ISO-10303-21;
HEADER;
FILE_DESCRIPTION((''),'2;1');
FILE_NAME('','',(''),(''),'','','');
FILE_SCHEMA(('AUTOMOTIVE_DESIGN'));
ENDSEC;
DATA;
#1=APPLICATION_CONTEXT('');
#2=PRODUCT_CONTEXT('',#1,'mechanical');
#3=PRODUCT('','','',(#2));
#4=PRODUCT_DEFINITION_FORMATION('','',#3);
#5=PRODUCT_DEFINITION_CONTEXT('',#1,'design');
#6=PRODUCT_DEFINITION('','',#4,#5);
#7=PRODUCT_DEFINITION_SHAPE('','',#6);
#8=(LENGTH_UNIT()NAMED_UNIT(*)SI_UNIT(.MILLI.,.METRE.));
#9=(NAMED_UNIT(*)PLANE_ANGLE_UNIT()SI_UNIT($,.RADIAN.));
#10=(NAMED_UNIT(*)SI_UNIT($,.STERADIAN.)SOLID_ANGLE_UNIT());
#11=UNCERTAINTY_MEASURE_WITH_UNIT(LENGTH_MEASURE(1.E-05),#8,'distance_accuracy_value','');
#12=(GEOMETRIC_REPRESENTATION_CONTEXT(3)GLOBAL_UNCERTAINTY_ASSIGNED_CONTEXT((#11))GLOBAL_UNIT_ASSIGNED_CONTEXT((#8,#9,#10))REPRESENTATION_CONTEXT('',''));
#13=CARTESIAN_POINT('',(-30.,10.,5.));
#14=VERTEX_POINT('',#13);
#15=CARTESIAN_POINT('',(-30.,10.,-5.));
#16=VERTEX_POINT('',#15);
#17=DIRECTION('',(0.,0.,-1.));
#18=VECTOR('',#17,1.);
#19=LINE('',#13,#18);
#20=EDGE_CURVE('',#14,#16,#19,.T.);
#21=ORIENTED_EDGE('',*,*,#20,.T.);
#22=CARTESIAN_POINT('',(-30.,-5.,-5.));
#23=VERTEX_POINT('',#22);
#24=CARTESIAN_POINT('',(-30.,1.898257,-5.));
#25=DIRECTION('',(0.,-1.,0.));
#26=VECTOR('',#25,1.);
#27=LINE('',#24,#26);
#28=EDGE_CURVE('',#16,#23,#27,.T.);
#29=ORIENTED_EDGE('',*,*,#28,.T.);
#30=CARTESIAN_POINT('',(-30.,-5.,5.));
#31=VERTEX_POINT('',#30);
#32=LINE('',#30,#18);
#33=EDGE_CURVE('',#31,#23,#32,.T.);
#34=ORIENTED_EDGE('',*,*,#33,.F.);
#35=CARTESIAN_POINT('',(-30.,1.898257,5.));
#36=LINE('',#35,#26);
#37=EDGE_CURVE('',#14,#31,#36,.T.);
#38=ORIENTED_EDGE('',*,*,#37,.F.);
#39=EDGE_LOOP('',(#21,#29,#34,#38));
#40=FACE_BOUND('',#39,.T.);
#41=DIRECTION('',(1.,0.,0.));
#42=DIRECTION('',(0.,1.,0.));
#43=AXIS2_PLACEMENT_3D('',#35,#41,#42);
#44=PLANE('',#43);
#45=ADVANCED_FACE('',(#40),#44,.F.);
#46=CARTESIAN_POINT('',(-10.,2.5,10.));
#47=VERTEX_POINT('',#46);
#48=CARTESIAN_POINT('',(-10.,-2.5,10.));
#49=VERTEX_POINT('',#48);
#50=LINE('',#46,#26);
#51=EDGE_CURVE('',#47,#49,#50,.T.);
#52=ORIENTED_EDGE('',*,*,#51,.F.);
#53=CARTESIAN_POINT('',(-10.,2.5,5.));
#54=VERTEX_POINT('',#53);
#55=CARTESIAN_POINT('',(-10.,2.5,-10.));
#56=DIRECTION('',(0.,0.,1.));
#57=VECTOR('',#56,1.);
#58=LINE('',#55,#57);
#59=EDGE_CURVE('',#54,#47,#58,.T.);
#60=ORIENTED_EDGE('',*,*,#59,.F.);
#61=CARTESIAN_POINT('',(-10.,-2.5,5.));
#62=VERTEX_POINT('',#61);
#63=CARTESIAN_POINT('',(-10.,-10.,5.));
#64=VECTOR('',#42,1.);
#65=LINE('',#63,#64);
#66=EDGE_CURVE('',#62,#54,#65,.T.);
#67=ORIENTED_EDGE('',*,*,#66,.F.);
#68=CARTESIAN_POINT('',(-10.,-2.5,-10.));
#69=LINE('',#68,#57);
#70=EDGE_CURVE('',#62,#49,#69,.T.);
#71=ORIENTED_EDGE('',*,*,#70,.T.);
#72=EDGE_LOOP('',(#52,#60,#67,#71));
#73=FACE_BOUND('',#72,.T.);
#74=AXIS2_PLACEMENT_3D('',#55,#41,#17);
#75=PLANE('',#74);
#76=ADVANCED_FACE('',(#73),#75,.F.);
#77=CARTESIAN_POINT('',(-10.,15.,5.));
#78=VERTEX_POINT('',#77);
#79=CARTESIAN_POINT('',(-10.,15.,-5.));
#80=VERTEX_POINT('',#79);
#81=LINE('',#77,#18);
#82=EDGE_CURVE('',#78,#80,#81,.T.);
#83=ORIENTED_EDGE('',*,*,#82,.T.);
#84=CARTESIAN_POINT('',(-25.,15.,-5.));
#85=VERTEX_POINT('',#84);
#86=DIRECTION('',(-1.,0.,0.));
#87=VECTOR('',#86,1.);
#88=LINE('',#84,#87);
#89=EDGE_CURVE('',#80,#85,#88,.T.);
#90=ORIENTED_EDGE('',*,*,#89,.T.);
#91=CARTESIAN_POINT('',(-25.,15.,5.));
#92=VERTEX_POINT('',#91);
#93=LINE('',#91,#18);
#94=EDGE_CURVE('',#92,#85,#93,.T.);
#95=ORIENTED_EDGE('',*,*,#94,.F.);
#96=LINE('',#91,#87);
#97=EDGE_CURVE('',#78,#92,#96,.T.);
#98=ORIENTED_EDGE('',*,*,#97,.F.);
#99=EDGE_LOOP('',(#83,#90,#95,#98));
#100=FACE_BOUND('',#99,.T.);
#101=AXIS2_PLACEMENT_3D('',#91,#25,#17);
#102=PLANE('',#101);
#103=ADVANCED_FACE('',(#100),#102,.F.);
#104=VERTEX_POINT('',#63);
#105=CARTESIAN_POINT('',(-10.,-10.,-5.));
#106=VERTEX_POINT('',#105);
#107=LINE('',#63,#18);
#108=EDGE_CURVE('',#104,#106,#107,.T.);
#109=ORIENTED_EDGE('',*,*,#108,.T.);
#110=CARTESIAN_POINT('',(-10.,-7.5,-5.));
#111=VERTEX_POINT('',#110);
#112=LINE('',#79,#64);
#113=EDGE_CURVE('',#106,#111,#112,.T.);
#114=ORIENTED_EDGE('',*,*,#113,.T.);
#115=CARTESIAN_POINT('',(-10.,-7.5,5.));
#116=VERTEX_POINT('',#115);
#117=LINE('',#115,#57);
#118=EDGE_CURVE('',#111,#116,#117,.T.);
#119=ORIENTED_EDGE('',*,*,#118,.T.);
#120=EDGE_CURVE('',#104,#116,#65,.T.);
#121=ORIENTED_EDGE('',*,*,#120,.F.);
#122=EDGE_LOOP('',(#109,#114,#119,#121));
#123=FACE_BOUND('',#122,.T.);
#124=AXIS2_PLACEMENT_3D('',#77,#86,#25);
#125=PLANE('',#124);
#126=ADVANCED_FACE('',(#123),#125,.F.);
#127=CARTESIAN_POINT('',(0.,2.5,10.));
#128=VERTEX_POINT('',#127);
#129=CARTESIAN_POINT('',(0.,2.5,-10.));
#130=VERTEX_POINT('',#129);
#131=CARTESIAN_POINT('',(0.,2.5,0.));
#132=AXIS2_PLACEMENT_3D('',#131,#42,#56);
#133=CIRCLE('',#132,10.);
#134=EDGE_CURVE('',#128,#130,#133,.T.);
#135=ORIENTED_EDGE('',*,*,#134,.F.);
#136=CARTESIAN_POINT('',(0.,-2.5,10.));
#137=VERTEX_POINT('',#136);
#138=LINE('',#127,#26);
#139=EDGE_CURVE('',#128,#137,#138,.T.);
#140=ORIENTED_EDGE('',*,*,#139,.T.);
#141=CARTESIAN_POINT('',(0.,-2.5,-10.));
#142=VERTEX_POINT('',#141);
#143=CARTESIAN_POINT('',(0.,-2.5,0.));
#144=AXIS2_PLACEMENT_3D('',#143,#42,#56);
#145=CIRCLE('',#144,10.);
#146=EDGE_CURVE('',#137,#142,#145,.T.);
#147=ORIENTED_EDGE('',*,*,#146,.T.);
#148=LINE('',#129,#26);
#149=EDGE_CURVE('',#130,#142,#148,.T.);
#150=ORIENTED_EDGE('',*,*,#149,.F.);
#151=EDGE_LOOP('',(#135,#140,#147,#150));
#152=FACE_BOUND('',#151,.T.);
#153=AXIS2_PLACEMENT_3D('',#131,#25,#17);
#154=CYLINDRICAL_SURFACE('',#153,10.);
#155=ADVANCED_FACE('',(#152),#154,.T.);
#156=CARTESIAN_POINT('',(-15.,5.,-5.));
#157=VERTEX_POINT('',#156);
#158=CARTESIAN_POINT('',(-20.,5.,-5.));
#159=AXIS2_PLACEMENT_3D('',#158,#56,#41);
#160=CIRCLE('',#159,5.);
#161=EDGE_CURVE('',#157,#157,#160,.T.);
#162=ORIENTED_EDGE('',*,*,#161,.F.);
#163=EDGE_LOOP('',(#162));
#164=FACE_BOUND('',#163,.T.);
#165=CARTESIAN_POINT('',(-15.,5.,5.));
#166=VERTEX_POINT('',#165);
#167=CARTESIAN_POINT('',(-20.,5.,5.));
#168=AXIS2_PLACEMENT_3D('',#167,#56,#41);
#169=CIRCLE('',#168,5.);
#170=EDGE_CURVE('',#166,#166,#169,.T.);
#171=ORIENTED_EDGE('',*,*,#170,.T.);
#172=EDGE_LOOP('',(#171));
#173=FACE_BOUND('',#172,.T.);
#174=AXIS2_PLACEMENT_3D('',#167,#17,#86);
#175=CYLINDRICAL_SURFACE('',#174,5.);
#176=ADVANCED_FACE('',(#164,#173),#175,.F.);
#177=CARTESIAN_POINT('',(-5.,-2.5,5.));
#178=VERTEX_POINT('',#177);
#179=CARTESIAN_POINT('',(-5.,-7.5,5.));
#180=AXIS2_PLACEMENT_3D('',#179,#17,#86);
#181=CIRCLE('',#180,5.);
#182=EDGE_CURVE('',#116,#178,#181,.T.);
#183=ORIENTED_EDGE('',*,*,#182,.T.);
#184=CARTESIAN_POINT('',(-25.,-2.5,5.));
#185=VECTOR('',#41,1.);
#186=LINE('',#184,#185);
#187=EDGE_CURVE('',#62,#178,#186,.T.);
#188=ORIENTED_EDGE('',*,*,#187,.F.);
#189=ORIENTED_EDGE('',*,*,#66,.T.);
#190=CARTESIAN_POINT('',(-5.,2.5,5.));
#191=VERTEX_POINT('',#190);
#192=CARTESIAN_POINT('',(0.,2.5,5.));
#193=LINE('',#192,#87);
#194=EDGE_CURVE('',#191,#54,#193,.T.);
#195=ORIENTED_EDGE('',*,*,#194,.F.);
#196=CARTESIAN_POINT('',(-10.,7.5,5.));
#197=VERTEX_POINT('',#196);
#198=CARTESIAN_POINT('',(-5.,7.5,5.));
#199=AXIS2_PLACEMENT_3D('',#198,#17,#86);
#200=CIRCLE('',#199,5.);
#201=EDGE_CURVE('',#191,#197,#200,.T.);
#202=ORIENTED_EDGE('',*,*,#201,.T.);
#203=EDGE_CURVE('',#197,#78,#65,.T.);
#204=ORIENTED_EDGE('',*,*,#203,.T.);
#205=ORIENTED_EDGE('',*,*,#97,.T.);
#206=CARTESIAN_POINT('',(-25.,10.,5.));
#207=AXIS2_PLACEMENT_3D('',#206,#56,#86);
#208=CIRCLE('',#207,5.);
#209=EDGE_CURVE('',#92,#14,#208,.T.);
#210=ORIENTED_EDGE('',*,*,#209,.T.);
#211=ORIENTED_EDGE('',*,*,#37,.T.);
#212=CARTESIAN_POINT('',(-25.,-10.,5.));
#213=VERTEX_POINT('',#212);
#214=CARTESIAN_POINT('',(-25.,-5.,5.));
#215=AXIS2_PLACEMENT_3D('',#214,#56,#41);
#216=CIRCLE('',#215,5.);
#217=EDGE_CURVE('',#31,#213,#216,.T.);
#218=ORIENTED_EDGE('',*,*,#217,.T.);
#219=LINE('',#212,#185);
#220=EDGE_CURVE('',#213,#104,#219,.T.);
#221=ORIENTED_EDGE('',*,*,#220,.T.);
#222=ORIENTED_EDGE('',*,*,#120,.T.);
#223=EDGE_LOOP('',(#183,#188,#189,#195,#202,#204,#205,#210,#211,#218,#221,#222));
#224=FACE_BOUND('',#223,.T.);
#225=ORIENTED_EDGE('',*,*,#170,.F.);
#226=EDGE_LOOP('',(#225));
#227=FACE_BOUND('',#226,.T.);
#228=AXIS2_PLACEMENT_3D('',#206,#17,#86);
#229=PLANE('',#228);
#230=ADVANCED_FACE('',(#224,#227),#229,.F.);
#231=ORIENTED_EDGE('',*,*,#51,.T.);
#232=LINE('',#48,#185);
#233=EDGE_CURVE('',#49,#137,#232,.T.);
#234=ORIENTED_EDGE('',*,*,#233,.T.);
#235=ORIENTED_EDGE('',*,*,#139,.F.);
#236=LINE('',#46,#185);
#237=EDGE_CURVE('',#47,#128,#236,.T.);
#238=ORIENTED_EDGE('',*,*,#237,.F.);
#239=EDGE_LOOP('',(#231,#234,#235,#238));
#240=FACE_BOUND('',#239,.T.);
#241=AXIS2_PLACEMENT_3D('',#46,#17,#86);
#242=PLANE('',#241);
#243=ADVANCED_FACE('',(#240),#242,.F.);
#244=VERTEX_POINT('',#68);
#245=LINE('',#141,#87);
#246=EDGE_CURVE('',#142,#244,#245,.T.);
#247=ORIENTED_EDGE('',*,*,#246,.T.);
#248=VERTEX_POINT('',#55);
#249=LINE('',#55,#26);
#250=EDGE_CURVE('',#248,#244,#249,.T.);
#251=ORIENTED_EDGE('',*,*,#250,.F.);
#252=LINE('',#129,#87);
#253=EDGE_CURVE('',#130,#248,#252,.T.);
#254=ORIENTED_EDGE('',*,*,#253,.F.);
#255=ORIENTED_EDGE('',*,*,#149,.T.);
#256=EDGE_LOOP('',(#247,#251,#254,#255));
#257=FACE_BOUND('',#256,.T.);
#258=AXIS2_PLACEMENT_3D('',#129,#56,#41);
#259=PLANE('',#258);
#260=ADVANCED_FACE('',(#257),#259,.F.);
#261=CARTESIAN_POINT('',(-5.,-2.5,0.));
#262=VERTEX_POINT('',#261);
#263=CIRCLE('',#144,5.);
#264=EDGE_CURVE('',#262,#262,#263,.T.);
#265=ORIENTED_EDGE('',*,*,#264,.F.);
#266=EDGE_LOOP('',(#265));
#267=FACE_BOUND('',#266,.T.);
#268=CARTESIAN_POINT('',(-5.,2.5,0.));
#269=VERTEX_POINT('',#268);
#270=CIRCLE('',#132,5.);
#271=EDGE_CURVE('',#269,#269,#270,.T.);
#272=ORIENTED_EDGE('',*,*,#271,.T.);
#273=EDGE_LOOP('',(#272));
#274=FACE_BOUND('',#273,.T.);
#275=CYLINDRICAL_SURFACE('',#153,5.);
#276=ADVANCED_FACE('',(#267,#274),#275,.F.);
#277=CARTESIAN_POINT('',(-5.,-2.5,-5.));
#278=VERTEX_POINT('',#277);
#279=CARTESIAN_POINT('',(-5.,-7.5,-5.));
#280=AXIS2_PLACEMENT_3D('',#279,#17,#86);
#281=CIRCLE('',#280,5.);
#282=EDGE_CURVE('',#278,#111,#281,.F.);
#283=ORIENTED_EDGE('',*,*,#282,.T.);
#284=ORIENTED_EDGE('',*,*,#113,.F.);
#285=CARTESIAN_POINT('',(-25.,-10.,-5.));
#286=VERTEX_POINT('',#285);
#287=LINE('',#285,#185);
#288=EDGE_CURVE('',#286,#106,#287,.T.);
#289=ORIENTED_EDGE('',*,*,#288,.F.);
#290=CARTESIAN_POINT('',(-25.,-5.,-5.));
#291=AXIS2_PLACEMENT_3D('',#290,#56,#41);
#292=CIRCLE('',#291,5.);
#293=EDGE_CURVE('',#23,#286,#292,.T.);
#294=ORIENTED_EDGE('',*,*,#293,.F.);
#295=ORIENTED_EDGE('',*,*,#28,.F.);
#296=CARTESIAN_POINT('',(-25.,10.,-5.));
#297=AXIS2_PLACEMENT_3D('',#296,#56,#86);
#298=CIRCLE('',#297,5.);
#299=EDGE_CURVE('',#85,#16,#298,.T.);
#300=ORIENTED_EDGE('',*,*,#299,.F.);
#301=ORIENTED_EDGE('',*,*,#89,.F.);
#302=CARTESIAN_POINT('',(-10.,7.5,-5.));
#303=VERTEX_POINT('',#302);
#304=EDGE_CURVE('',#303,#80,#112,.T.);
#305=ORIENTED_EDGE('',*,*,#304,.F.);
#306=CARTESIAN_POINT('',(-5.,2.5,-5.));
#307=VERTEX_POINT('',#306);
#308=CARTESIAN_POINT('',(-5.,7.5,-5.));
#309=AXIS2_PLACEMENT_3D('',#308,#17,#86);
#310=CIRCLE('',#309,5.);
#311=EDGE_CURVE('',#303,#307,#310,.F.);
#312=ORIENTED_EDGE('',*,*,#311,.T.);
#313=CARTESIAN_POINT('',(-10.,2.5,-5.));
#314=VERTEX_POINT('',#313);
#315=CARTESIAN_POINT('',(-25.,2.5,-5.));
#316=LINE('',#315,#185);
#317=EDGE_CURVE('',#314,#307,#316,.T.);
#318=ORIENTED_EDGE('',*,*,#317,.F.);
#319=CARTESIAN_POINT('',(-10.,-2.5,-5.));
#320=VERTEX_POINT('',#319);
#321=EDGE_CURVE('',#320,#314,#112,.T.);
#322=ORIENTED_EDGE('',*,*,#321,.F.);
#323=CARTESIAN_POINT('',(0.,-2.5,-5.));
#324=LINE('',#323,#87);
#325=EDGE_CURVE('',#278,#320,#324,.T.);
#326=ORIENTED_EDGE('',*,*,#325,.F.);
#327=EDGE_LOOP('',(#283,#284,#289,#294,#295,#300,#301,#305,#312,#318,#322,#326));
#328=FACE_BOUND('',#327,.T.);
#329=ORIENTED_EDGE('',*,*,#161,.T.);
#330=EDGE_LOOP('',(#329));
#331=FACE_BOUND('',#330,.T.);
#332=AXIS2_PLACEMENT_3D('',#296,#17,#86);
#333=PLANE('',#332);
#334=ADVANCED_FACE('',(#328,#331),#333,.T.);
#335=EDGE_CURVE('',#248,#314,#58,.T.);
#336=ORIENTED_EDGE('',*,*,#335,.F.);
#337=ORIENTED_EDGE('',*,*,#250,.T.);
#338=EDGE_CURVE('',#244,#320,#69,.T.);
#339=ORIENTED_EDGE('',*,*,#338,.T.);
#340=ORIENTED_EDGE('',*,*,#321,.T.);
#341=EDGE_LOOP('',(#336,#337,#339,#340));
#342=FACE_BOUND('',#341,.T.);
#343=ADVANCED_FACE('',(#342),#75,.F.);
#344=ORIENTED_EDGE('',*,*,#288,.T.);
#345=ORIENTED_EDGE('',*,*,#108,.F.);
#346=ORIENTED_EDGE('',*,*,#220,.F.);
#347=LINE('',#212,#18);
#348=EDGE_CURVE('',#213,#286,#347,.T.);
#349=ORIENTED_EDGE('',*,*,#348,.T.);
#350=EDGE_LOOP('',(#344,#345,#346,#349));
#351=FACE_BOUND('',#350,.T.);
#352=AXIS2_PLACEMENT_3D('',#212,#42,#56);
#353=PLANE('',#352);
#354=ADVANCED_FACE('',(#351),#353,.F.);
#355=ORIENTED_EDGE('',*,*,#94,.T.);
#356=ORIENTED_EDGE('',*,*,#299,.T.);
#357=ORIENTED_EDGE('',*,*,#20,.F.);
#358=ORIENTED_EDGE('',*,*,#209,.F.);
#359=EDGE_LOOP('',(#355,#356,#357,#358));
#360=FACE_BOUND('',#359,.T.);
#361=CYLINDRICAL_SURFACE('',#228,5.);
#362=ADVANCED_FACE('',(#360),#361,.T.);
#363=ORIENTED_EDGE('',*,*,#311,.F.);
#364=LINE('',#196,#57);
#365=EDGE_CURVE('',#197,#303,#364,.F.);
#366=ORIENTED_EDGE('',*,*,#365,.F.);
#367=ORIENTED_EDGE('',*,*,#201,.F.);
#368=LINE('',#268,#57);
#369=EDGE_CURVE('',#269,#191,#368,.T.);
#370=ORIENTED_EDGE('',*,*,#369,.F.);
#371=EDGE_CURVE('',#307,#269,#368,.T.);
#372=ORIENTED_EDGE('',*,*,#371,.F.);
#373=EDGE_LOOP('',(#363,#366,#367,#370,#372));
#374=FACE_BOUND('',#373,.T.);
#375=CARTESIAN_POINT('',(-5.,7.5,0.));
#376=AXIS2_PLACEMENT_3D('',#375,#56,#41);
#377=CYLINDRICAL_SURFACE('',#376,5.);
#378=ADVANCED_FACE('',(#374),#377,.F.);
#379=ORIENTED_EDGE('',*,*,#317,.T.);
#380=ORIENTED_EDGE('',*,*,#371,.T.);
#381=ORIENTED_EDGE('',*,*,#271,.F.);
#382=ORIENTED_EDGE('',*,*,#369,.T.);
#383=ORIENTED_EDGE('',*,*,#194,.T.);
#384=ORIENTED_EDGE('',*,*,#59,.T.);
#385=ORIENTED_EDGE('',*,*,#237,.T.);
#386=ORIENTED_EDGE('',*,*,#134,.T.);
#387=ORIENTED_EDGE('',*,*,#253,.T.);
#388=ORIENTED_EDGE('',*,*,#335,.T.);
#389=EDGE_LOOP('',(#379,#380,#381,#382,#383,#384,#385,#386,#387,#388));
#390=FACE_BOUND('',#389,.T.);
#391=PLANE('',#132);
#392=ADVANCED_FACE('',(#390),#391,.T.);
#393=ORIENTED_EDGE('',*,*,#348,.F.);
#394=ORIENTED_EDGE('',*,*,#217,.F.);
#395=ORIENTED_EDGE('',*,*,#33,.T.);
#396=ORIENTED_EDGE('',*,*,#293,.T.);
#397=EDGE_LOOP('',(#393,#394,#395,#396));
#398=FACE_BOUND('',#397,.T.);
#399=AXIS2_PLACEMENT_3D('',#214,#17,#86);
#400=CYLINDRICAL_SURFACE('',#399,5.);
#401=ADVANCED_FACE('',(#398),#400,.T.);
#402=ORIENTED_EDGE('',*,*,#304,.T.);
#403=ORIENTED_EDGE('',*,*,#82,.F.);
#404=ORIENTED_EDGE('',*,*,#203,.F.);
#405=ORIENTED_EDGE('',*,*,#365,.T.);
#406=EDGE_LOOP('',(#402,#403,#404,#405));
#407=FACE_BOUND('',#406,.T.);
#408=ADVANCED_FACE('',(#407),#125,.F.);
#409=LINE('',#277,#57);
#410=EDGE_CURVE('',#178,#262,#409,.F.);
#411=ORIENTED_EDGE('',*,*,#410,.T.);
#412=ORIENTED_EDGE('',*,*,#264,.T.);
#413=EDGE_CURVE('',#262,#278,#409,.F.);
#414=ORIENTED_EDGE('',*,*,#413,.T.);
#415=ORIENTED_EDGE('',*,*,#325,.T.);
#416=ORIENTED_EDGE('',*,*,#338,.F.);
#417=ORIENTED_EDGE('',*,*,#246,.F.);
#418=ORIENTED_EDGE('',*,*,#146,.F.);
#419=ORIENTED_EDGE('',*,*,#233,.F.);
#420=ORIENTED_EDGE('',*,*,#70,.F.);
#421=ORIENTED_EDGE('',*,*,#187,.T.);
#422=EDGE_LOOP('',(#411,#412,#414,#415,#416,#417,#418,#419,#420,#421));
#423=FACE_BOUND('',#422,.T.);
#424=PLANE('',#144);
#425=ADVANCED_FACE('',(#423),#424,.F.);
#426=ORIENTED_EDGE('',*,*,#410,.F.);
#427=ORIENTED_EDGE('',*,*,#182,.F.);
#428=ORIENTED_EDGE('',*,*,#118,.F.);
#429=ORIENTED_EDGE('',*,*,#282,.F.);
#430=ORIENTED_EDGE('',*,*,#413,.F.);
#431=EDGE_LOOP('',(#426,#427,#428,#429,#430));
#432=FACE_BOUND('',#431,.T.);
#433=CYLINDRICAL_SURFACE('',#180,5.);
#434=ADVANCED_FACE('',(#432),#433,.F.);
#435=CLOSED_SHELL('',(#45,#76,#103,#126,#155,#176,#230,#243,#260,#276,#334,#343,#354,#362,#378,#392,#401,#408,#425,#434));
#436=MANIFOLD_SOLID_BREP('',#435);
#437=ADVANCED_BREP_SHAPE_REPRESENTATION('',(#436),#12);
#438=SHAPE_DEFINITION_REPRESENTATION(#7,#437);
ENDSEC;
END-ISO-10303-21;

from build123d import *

# Parameters (mm, degrees)
SKETCH_1_R      = 5
EXTRUDE_1_DEPTH = 2.5
SKETCH_2_R      = 5
EXTRUDE_2_DEPTH = 5
FILLET_1_R      = 5


with BuildPart() as part:
    # 草圖1 → 填料-伸長1 (new, symmetric)
    with BuildSketch(Plane(origin=(0, 0, 0), x_dir=(1, 0, 0), z_dir=(0, 1, 0))):
        with BuildLine():
            Line((0, 10), (-10, 10))
            Line((-10, 10), (-10, -10))
            Line((-10, -10), (0, -10))
            ThreePointArc((0, -10), (10, 0), (0, 10))
        make_face()
        with Locations(Location((0, 0, 0), (0, 0, 270))):
            Circle(SKETCH_1_R, mode=Mode.SUBTRACT)
    extrude(amount=EXTRUDE_1_DEPTH, both=True)

    # 草圖2 → 填料-伸長2 (add, symmetric)
    with BuildSketch(Plane.XY):
        with BuildLine():
            Line((-30, 1.898257061), (-30, -5))
            ThreePointArc((-30, -5), (-28.535533906, -8.535533906), (-25, -10))
            Line((-25, -10), (-10, -10))
            Line((-10, -10), (-10, -2.5))
            Line((-10, -2.5), (-10, 2.5))
            Line((-10, 2.5), (-10, 15))
            Line((-10, 15), (-25, 15))
            ThreePointArc((-25, 15), (-28.535533906, 13.535533906), (-30, 10))
            Line((-30, 10), (-30, 1.898257061))
        make_face()
        with Locations((-20, 5)):
            Circle(SKETCH_2_R, mode=Mode.SUBTRACT)
    extrude(amount=EXTRUDE_2_DEPTH, both=True)

    # 圓角1
    fillet_1_edges = [part.edges().sort_by_distance(p)[0] for p in [
        (-10, -2.5, 0),
        (-10, 2.5, 0),
    ]]
    fillet(fillet_1_edges, radius=FILLET_1_R)


solid = part.part
